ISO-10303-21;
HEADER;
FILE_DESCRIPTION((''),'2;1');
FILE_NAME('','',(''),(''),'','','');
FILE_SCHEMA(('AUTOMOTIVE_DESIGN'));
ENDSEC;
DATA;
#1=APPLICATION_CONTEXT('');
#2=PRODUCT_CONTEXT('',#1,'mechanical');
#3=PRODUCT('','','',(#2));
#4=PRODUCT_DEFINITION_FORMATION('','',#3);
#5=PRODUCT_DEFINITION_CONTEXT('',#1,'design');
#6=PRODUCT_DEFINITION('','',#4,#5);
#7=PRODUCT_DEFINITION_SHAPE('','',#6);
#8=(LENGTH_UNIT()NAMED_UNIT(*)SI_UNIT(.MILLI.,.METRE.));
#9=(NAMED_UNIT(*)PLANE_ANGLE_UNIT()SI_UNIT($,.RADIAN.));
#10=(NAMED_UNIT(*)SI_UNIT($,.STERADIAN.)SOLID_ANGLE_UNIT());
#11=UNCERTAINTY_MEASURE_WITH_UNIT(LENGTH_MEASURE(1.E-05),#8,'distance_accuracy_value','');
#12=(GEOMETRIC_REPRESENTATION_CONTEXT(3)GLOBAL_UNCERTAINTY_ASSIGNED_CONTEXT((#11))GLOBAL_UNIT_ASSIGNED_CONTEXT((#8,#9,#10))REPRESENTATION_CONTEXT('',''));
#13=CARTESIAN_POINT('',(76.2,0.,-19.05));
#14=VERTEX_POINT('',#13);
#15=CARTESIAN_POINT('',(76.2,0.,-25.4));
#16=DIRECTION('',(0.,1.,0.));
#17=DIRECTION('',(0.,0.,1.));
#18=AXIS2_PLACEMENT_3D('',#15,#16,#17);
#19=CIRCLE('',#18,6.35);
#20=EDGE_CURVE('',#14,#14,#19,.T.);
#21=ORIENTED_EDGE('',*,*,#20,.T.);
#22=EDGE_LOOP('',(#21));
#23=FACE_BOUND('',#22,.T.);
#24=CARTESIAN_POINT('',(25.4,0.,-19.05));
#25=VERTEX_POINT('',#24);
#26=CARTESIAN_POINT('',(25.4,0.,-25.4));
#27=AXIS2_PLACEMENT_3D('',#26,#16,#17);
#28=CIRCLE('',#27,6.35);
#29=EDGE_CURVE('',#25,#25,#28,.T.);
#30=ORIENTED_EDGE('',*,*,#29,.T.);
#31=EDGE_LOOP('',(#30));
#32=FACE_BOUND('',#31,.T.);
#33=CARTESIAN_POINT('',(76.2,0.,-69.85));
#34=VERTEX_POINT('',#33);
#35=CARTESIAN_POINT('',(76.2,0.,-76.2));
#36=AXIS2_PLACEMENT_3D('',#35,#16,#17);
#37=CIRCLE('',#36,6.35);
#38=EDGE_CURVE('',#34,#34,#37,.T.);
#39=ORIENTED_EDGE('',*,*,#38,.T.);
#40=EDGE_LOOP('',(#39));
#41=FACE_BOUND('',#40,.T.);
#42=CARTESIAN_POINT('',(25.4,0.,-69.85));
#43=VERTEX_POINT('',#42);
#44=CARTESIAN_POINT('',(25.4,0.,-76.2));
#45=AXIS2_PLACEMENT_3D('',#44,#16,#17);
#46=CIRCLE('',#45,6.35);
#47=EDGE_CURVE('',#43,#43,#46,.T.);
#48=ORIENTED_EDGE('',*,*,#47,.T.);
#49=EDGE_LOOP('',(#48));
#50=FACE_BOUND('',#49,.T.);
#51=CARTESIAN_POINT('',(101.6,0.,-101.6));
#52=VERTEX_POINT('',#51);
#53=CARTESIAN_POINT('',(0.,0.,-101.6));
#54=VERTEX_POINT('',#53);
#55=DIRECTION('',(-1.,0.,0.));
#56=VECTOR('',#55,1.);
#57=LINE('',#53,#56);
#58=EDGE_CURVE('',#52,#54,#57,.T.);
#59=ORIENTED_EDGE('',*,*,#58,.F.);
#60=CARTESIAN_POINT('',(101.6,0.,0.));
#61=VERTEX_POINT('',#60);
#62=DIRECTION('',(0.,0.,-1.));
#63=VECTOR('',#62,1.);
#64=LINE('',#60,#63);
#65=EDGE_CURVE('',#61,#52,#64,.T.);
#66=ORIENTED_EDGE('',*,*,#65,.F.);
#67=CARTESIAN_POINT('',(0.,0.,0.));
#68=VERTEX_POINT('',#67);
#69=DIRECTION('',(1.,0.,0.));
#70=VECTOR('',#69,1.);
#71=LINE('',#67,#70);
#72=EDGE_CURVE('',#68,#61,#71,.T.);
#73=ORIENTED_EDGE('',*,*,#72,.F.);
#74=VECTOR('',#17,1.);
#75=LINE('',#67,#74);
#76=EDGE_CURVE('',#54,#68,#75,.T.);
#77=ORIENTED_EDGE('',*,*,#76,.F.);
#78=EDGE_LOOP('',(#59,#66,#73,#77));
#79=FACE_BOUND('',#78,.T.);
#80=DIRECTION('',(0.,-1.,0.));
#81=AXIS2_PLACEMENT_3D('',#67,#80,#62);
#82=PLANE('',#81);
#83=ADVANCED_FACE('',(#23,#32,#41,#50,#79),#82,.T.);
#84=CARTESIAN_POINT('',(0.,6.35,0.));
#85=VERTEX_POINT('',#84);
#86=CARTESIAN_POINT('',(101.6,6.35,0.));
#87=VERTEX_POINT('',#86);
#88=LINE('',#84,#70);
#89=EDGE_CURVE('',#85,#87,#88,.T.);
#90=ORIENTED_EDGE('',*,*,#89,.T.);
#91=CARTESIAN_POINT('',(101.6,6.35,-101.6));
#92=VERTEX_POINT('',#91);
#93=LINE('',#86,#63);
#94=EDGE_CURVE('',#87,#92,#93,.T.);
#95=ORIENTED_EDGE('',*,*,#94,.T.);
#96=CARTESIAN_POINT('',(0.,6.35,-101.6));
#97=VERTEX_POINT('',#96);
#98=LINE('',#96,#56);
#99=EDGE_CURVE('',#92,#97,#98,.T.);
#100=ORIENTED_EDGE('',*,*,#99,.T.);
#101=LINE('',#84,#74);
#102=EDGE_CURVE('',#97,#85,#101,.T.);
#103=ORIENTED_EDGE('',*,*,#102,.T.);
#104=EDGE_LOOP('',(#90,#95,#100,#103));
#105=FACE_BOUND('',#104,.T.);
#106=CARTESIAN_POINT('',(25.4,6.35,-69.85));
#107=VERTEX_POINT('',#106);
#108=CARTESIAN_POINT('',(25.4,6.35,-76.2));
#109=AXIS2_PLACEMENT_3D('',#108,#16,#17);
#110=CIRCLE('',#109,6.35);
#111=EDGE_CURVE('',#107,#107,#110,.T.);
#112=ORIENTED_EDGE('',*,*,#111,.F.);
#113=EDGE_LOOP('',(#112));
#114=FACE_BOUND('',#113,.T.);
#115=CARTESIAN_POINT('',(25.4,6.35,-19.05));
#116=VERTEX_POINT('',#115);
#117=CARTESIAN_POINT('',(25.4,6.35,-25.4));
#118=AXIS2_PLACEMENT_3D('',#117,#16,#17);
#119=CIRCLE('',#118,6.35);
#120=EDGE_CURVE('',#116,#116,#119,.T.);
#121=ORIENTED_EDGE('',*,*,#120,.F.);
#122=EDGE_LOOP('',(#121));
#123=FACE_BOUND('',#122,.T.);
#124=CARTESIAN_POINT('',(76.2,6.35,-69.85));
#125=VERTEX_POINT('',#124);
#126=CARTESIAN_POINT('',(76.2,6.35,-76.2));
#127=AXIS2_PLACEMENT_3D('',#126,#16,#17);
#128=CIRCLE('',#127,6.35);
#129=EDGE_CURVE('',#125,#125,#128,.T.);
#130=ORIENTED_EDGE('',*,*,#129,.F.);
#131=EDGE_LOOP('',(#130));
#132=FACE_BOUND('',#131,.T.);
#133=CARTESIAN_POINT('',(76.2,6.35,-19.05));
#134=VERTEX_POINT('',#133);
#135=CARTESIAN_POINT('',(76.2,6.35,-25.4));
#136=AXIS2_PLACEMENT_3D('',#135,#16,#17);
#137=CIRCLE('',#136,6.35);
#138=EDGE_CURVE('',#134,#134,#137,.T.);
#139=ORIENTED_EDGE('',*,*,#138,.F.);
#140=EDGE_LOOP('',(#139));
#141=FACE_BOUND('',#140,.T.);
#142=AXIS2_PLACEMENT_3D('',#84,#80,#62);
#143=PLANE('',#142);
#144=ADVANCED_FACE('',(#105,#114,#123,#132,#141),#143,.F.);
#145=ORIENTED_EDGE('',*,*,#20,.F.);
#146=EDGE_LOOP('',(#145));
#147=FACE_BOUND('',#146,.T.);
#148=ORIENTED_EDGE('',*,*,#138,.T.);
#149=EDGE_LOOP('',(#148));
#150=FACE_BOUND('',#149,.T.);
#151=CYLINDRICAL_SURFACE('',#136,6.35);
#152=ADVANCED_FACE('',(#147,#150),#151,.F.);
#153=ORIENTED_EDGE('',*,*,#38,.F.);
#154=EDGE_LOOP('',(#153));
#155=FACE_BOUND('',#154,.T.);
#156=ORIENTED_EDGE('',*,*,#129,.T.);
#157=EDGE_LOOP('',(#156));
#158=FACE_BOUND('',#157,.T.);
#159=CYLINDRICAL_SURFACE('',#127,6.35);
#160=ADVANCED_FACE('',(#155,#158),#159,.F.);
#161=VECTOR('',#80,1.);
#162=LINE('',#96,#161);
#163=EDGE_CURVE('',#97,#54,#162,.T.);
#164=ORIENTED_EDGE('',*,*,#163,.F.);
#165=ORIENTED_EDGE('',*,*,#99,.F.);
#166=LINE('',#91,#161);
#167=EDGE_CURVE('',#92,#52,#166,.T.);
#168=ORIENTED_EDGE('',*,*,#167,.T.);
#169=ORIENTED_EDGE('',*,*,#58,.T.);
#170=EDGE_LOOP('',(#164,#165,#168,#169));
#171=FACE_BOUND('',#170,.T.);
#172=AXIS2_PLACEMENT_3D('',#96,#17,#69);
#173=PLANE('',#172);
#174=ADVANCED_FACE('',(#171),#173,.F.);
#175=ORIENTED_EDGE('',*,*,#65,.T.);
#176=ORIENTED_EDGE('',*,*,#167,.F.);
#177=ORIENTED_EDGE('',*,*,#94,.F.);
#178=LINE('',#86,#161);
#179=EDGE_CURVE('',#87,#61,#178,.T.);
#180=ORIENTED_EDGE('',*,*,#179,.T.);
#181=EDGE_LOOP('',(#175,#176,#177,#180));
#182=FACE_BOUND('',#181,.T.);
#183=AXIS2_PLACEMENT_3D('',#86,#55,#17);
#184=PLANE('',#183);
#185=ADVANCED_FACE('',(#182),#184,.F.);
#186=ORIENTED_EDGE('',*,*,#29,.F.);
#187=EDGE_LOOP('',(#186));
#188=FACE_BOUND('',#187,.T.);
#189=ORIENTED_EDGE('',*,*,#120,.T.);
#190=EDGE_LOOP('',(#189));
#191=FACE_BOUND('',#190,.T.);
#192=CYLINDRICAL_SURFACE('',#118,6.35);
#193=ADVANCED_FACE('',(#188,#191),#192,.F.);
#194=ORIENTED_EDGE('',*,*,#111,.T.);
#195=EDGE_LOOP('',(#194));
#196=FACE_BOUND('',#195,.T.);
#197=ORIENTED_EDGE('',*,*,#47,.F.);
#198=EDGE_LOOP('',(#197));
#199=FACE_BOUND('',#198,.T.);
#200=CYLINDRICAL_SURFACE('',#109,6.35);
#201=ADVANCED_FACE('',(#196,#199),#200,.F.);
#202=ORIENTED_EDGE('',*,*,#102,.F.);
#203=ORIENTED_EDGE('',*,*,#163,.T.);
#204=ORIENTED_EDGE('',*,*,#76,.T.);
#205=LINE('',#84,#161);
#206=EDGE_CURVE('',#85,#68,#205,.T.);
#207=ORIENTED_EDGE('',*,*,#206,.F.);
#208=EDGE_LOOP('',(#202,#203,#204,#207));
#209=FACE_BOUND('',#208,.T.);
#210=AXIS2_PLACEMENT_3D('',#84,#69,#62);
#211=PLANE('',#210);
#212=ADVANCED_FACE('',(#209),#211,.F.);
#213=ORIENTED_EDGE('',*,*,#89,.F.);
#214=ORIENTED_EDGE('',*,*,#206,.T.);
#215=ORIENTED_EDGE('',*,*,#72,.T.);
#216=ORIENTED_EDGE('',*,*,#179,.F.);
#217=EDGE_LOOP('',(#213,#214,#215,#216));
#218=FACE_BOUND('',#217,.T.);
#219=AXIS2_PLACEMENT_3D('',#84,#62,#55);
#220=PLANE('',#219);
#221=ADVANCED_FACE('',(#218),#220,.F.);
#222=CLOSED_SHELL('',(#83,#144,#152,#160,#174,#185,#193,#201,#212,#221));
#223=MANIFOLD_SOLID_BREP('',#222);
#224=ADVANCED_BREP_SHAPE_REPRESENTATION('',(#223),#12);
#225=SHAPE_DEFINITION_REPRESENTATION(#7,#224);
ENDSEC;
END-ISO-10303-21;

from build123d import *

# Parameters (mm, degrees)
SKETCH1_W                  = 101.6
SKETCH1_H                  = 101.6
BOSS_EXTRUDE1_DEPTH        = 6.35
F_1_2_0_5000_DOWEL_HOLE1_D = 12.7


with BuildPart() as part:
    # Sketch1 → Boss-Extrude1 (new body)
    with BuildSketch(Plane(origin=(0, 0, 0), x_dir=(1, 0, 0), z_dir=(0, 1, 0))):
        with Locations((50.8, 50.8)):
            Rectangle(SKETCH1_W, SKETCH1_H)
    extrude(amount=BOSS_EXTRUDE1_DEPTH)

    # 1/2 (0.5000) Dowel Hole1 (through all)
    with Locations(Plane(origin=(25.4, 6.35, -25.4), x_dir=(0, 0, 1), z_dir=(0, 1, 0))):
        with Locations((0, 0), (-50.8, 0), (-50.8, 50.8), (0, 50.8)):
            Hole(F_1_2_0_5000_DOWEL_HOLE1_D / 2)


solid = part.part
